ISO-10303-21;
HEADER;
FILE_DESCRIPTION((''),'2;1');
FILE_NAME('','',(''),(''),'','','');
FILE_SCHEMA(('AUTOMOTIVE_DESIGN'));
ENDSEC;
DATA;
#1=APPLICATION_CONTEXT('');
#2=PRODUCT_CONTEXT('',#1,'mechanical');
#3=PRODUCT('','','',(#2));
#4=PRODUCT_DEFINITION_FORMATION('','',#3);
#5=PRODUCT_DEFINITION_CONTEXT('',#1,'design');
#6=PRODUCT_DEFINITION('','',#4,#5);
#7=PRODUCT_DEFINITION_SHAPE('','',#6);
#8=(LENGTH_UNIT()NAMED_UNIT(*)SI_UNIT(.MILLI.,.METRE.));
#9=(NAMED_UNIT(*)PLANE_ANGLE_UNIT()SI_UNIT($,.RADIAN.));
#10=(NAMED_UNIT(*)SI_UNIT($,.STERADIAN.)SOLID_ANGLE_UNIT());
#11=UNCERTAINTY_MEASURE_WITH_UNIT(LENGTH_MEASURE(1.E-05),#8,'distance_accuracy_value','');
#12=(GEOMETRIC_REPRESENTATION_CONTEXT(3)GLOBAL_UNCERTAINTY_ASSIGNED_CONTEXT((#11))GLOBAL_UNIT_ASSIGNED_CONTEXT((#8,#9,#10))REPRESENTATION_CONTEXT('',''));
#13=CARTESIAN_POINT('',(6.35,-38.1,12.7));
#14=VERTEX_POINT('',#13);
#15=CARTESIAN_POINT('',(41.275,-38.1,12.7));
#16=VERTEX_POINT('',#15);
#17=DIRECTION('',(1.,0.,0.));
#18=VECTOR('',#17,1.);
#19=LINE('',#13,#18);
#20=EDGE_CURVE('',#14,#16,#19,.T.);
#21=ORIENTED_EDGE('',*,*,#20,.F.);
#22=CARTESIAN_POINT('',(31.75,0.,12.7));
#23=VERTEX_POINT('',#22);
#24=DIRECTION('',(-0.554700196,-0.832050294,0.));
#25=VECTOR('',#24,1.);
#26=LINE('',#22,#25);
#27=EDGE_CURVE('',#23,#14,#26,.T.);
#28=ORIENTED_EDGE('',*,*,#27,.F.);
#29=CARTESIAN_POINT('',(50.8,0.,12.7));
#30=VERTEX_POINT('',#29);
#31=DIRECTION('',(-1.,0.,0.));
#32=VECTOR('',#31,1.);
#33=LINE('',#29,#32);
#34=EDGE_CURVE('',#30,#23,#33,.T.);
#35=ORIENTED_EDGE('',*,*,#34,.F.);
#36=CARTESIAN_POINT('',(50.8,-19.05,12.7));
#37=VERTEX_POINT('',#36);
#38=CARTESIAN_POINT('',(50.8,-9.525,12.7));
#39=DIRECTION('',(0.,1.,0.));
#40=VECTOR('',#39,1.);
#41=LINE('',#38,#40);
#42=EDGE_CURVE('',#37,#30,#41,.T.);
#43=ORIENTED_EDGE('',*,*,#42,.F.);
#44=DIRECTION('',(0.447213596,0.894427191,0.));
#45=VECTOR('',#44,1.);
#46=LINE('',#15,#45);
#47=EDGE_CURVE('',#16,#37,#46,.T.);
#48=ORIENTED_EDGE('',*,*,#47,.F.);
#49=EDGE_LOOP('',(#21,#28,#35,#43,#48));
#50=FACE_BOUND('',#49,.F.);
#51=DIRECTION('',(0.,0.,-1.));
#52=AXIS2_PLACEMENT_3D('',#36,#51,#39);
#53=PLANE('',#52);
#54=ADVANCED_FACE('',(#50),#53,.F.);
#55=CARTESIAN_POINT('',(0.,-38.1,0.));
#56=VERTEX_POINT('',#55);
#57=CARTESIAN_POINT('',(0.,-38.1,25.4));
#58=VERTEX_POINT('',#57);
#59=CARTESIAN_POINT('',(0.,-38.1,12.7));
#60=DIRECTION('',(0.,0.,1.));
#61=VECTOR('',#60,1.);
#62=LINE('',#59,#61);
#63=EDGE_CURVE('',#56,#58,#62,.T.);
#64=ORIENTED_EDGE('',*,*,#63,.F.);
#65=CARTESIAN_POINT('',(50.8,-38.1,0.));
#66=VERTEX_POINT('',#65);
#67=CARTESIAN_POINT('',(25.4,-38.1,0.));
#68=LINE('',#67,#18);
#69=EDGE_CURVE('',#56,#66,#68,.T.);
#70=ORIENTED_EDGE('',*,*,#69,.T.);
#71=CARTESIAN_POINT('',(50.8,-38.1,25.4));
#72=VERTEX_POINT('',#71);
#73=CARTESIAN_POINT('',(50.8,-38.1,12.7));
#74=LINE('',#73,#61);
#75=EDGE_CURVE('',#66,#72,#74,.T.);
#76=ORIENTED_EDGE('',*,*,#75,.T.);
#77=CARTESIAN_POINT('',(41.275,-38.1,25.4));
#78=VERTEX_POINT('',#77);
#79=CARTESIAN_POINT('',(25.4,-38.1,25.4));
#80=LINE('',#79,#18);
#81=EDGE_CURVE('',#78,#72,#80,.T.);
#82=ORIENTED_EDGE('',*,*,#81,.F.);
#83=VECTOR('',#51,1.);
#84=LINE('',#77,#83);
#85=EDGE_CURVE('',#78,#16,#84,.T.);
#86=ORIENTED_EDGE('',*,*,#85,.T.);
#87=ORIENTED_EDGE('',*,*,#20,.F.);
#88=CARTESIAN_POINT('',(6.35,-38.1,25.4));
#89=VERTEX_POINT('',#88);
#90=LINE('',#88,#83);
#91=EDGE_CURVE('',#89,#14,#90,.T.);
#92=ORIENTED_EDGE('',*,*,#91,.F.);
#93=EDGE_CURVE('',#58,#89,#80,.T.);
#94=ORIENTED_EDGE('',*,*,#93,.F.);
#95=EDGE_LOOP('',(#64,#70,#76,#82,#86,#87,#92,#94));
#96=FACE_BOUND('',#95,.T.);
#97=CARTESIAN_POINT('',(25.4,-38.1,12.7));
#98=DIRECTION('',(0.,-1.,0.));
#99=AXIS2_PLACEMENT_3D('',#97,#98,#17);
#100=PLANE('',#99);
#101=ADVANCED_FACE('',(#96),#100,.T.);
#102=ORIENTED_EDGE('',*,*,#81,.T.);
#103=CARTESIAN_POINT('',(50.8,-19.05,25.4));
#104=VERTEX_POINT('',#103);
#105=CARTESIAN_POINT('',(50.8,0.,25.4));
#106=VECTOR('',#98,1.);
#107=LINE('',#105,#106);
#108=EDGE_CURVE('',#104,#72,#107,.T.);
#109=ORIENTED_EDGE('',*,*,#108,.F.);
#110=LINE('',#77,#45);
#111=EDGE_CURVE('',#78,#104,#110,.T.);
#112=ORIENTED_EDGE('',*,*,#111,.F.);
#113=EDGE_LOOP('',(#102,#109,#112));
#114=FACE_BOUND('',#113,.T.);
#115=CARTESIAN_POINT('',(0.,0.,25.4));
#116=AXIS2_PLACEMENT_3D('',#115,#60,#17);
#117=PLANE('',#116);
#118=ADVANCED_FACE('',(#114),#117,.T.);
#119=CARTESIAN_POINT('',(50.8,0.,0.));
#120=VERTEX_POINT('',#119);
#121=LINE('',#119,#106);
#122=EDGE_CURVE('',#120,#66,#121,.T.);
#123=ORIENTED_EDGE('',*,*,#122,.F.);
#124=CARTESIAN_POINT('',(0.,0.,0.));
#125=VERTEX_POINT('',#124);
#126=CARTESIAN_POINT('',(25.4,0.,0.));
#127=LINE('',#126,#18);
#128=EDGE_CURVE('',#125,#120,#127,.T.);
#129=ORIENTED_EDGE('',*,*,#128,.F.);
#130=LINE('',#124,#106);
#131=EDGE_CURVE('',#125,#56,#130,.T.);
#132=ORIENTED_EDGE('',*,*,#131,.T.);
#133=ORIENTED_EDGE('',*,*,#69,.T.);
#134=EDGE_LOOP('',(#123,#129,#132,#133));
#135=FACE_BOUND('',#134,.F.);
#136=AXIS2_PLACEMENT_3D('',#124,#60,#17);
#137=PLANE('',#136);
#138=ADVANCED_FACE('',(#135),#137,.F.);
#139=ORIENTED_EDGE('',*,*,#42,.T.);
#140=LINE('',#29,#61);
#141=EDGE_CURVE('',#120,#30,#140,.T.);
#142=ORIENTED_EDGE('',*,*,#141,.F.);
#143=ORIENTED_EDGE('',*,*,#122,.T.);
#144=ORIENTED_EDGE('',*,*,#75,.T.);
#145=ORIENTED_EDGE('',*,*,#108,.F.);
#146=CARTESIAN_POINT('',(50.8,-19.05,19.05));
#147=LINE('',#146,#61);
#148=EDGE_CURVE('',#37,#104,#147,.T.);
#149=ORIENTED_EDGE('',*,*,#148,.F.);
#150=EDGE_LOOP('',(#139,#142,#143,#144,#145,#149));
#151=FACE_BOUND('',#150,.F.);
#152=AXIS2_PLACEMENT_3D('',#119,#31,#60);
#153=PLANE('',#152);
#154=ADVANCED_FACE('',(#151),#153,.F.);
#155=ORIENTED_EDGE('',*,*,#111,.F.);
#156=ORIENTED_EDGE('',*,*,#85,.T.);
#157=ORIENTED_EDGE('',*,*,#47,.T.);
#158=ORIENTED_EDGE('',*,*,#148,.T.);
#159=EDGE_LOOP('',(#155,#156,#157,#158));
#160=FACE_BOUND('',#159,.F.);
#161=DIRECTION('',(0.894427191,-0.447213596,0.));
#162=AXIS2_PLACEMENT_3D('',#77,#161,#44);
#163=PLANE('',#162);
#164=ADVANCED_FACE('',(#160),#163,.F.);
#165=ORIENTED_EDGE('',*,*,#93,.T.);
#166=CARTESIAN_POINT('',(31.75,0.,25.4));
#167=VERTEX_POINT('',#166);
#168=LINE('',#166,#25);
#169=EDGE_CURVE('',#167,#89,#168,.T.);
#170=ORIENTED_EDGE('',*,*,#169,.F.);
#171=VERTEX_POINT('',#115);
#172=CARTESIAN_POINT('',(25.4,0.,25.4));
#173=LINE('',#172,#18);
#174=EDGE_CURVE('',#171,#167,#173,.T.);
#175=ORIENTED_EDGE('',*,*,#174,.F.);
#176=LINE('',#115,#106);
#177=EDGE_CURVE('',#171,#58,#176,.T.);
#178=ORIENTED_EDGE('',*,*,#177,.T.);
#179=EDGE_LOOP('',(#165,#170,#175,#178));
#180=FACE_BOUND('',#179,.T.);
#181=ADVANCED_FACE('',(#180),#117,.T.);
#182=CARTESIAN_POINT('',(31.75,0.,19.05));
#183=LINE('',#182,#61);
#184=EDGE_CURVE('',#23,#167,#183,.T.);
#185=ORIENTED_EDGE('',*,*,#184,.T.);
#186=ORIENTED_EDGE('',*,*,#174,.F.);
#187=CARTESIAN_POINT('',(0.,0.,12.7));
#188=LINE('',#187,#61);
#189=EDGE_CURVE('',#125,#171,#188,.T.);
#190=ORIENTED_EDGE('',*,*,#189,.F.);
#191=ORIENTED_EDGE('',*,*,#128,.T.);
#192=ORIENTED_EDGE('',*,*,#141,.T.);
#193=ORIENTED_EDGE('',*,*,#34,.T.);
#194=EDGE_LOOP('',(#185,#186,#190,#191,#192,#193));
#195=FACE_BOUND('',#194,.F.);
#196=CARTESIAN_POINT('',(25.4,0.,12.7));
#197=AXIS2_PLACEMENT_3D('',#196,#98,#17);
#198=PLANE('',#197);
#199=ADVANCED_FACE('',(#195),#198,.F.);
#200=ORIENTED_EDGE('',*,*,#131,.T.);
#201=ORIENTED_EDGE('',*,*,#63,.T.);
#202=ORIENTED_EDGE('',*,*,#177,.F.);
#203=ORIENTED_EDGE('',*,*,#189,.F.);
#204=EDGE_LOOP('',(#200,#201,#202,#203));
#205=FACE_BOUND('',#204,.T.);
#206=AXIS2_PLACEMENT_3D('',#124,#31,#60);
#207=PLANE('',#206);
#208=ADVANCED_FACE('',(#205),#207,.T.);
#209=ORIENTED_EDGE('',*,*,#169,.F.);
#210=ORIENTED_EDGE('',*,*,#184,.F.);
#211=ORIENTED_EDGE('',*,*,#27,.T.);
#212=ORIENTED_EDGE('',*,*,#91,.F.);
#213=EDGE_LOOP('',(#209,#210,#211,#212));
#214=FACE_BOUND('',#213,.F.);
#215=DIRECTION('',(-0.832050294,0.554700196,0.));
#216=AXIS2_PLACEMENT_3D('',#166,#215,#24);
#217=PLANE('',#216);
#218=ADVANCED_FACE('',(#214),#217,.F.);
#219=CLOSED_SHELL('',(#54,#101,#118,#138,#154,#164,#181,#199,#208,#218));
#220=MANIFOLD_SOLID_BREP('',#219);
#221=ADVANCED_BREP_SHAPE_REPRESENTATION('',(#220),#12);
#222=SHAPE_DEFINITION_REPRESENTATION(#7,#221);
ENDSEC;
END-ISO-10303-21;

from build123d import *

# Parameters (mm, degrees)
F0_W     = 50.8
F0_H     = 25.4
F1_DEPTH = 38.1
F2_W     = 19.05
F2_H     = 12.7
F3_DEPTH = 19.05
F5_DEPTH = 12.7


with BuildPart() as f1:
    # F0 (on Front) → F1 (new body)
    with BuildSketch(Plane.XZ):
        with Locations((25.4, 12.7)):
            Rectangle(F0_W, F0_H)
    extrude(amount=F1_DEPTH)

    # F2 (on face) → F3 (cut)
    with BuildSketch(Plane.YZ.offset(50.8)):
        with Locations((-9.525, 19.05)):
            Rectangle(F2_W, F2_H)
    extrude(amount=-F3_DEPTH, mode=Mode.SUBTRACT)

    # F4 (on face) → F5 (cut)
    with BuildSketch(Plane.XY.offset(25.4)):
        Polygon((41.275, -38.1), (50.8, -19.05), (31.75, -19.05), (31.75, 0), (6.35, -38.1), align=None)
    extrude(amount=-F5_DEPTH, mode=Mode.SUBTRACT)


solid = f1.part
